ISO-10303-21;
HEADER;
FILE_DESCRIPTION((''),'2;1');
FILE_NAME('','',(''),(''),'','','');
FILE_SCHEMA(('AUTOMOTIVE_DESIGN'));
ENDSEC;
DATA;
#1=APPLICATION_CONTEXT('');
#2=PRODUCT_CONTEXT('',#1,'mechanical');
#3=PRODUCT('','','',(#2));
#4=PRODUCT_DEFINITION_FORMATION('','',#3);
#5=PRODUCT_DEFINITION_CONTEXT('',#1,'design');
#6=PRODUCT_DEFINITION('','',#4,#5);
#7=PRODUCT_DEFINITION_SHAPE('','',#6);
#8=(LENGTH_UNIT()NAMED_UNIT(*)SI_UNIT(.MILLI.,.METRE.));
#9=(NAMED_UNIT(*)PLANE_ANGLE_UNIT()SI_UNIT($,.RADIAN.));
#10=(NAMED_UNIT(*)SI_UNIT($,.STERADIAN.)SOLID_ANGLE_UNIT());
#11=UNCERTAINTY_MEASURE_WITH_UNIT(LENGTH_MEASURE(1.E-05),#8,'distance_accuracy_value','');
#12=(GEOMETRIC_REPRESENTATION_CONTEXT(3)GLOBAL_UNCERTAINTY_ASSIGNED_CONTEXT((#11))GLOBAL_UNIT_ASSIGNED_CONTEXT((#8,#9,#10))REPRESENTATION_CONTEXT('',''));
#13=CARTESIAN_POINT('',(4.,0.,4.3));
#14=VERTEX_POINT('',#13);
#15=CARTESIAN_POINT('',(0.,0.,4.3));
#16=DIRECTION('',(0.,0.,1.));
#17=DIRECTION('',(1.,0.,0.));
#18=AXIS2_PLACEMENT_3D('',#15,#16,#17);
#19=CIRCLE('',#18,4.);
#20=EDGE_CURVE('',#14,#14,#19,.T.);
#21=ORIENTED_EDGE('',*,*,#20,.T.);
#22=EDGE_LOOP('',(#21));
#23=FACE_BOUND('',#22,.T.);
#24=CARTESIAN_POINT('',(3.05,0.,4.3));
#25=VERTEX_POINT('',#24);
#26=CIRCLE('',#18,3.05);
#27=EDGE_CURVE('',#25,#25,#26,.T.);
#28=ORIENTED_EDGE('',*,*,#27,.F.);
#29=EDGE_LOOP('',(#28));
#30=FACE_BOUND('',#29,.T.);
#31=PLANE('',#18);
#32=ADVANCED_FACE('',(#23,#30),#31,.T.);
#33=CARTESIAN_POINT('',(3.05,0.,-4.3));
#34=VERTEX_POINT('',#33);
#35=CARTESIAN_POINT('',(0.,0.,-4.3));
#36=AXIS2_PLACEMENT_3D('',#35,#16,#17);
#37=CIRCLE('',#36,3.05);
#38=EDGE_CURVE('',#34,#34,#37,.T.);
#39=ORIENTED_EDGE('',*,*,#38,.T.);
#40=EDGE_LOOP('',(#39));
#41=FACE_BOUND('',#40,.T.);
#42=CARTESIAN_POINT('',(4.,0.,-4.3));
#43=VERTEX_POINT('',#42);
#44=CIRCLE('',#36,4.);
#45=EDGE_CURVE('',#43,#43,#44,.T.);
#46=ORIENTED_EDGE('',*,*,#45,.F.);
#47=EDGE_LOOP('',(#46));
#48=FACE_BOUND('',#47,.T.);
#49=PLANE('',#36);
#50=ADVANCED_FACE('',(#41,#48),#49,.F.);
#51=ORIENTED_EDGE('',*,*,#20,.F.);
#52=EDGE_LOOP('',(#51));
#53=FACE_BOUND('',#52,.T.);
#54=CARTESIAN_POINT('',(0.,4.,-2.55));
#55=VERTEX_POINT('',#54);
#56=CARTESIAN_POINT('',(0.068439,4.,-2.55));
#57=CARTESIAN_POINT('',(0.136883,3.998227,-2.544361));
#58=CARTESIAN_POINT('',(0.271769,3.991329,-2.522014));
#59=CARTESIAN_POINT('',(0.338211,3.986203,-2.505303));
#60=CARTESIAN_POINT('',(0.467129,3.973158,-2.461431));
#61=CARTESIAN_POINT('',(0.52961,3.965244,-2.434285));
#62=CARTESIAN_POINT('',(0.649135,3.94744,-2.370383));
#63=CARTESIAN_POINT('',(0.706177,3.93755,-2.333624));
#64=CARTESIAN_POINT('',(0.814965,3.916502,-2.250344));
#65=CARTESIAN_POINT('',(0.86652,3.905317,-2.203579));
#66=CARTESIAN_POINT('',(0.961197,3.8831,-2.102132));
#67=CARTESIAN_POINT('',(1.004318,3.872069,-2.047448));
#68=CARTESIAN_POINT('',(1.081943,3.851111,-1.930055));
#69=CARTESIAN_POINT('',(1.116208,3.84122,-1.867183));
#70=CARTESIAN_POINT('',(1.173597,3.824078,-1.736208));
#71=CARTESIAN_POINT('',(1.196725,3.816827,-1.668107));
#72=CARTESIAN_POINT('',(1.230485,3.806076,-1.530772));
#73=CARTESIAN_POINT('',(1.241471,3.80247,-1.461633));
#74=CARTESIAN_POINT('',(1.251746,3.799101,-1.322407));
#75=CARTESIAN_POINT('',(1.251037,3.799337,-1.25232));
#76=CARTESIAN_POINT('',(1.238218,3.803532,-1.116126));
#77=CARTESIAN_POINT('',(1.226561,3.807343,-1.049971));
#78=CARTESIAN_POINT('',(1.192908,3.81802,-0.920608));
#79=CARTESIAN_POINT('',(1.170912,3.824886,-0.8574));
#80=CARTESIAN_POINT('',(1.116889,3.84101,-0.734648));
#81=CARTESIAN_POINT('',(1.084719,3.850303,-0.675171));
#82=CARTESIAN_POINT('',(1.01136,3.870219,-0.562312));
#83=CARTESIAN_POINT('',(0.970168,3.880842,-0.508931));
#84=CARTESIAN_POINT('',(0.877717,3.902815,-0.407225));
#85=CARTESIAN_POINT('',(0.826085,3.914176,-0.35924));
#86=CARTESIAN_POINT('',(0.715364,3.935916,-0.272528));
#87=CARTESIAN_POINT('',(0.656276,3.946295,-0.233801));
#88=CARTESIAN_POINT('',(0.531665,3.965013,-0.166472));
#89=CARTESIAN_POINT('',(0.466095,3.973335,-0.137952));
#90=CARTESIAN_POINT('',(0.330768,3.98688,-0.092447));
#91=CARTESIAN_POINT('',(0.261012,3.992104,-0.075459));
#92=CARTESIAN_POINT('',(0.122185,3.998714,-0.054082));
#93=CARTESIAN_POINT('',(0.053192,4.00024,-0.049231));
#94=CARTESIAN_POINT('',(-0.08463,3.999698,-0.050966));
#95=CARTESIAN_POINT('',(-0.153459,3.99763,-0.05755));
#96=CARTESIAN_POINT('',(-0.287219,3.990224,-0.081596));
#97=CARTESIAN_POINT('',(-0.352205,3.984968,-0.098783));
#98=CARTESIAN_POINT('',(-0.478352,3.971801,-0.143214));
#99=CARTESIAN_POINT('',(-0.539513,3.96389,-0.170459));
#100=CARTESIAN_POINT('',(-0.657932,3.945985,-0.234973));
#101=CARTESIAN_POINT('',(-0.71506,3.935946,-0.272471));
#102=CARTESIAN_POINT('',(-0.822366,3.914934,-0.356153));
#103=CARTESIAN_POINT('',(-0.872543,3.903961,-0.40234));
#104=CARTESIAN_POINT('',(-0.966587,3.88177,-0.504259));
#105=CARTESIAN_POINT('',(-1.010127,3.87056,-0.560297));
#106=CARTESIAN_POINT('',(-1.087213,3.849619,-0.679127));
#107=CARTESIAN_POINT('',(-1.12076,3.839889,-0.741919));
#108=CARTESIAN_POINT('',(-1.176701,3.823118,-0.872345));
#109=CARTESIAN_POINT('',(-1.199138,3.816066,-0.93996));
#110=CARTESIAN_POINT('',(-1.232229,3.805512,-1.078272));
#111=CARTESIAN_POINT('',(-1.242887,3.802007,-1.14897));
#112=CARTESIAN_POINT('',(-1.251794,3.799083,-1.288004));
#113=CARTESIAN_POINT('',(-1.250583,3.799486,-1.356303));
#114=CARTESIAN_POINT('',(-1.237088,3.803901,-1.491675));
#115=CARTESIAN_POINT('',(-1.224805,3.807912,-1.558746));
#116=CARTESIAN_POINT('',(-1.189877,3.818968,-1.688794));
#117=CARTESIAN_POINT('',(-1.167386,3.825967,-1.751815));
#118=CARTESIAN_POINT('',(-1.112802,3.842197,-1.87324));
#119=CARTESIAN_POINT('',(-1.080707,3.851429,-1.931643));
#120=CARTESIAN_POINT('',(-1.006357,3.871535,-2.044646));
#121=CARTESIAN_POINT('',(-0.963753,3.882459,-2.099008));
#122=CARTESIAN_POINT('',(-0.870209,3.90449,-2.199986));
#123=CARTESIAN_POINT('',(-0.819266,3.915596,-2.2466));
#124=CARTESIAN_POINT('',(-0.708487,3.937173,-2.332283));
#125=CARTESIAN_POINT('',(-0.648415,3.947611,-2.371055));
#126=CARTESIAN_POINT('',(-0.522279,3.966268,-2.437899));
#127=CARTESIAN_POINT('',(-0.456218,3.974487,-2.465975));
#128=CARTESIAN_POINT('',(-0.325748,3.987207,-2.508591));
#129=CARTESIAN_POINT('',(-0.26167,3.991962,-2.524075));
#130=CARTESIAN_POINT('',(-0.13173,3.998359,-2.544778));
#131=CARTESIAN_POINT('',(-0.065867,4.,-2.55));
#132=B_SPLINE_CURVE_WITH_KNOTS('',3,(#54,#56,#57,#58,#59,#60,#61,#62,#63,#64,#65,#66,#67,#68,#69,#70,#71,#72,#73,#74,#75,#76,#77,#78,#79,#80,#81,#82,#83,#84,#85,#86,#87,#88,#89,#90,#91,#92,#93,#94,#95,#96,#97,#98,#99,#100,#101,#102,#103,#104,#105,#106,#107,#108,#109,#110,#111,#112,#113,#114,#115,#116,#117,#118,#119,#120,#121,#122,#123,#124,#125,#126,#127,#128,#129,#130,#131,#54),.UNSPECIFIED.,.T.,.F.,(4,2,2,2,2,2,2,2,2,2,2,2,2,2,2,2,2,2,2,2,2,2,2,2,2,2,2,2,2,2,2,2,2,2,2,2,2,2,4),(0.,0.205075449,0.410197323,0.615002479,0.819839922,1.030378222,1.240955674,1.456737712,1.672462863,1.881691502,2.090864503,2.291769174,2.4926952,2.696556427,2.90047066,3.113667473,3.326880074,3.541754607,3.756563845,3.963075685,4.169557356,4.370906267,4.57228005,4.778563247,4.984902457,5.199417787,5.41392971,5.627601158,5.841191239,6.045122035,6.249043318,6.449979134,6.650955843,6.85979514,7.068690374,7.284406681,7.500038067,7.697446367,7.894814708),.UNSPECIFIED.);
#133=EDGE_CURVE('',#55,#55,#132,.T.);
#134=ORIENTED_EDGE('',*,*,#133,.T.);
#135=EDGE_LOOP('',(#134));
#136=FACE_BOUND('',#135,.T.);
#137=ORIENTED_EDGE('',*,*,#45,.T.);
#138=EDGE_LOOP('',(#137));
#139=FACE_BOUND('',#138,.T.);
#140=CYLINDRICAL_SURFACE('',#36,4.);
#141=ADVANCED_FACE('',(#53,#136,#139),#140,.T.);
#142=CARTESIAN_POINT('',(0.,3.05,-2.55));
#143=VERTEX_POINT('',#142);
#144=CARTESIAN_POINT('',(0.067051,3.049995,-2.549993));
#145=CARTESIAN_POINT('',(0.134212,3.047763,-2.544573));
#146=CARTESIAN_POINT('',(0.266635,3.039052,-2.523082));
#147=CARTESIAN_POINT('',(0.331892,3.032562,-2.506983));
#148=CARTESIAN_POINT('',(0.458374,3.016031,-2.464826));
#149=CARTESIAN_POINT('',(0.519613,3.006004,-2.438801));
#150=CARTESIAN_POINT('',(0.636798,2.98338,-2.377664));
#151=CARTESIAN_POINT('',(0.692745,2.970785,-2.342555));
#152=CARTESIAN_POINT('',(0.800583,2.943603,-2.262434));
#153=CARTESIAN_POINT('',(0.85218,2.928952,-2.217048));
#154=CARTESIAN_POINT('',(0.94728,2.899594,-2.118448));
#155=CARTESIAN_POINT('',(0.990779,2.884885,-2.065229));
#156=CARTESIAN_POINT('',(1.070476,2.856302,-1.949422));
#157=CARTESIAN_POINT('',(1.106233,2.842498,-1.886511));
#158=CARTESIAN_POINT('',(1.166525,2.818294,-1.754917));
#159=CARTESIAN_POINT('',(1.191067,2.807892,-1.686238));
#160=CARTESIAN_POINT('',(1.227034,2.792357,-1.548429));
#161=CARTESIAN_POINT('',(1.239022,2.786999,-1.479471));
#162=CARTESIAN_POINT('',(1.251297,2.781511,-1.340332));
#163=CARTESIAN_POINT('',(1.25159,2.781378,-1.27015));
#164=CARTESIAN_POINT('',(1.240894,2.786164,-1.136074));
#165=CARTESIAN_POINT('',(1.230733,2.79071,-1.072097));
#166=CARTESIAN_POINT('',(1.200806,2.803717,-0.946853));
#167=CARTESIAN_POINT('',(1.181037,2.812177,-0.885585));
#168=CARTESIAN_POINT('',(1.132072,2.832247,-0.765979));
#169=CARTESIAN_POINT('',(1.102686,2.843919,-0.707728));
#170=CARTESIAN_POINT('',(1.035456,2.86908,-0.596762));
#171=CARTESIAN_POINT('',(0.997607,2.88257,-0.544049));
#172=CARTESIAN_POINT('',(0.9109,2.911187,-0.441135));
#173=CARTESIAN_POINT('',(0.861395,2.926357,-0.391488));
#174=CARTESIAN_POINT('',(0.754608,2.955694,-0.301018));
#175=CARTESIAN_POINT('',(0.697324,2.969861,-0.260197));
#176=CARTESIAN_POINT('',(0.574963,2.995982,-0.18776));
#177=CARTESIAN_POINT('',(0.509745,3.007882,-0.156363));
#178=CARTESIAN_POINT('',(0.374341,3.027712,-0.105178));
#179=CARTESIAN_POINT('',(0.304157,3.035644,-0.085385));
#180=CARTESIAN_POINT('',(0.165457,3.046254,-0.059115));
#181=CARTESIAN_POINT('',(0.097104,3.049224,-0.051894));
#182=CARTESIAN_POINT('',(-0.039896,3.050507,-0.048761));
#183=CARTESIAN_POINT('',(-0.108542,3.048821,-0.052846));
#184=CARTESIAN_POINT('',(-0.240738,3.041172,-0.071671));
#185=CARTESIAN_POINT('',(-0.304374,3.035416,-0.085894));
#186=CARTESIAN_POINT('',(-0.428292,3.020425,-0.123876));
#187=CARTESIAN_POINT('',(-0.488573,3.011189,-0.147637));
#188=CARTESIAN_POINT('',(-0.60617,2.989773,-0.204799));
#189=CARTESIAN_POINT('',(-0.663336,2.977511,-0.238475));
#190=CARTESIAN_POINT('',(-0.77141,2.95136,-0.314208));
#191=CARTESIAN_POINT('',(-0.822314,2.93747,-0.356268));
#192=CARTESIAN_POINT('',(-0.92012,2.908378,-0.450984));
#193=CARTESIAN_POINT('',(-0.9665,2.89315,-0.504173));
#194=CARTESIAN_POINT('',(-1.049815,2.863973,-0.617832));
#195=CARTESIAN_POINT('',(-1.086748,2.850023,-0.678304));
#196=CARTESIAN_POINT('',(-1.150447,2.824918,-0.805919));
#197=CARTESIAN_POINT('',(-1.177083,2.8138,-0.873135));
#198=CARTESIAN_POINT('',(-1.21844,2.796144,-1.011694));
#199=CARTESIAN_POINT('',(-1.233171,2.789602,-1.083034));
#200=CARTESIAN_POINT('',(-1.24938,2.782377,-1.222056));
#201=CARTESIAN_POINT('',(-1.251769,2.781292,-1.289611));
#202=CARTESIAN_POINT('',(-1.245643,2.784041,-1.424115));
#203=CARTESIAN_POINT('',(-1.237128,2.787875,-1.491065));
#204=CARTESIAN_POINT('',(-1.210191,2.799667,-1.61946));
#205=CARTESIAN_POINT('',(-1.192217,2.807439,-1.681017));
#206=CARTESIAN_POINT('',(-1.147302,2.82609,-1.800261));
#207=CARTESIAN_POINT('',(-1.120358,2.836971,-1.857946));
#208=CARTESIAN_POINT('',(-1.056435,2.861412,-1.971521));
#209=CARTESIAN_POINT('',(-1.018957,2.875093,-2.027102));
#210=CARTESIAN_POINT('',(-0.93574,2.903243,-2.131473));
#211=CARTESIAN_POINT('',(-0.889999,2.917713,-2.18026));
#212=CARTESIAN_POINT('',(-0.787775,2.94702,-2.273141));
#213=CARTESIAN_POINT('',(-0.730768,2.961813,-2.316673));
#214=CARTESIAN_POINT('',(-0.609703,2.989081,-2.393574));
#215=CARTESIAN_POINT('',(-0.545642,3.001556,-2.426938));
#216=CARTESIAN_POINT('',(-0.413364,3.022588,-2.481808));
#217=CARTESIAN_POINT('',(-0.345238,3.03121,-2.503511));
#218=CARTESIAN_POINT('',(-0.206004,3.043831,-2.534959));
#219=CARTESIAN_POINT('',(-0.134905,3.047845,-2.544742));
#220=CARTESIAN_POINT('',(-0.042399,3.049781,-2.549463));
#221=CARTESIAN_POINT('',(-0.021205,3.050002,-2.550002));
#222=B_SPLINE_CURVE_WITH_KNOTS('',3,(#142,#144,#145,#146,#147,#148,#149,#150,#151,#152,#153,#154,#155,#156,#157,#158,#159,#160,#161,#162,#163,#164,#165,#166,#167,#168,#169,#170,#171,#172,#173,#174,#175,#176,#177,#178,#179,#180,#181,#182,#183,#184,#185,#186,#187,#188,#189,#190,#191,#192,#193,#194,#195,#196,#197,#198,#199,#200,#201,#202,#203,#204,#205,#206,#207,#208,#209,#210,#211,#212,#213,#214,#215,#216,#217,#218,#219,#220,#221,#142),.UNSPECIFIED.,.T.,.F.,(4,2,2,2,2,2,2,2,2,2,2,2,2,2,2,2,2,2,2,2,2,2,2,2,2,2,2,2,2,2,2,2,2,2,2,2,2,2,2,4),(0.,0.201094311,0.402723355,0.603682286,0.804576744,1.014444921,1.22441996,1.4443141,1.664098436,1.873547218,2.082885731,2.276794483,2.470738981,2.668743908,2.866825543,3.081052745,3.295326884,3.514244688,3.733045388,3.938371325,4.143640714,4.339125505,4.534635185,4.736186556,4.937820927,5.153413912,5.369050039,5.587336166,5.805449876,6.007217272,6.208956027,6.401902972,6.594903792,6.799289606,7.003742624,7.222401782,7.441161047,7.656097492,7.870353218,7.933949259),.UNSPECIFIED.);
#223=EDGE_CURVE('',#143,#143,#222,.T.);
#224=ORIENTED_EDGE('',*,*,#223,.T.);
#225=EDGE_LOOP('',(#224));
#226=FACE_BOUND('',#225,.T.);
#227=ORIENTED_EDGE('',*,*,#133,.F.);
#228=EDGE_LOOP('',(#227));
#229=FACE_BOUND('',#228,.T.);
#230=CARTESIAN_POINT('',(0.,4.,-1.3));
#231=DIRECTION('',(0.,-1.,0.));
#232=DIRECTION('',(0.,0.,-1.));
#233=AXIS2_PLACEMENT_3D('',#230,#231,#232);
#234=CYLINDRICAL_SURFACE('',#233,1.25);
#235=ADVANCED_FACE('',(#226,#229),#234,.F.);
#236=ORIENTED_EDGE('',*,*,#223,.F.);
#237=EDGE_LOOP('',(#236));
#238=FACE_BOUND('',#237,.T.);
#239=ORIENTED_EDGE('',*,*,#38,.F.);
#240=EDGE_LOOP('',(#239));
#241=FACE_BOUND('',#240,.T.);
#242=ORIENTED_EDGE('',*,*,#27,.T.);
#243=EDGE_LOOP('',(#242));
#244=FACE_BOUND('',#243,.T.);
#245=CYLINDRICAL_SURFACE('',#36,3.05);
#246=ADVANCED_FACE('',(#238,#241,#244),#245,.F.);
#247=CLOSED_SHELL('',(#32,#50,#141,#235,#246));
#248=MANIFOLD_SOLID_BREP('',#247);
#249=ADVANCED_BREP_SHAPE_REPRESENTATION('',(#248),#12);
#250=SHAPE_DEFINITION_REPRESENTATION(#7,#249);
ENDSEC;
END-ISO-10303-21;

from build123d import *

# Parameters (mm, degrees)
SKIZZE2_R                       = 4
SKIZZE2_R_2                     = 3.05
AUFSATZ_LINEAR_AUSTRAGEN1_DEPTH = 4.3
SKIZZE3_R                       = 1.25
SCHNITT_LINEAR_AUSTRAGEN1_DEPTH = 5


with BuildPart() as part:
    # Skizze2 → Aufsatz-Linear austragen1 (new body, symmetric)
    with BuildSketch(Plane.XY):
        Circle(SKIZZE2_R)
        Circle(SKIZZE2_R_2, mode=Mode.SUBTRACT)
    extrude(amount=AUFSATZ_LINEAR_AUSTRAGEN1_DEPTH, both=True)

    # Skizze3 → Schnitt-Linear austragen1 (cut, through all)
    with BuildSketch(Plane(origin=(0, 0, 0), x_dir=(1, 0, 0), z_dir=(0, 1, 0))):
        with Locations((0, 1.3)):
            Circle(SKIZZE3_R)
    extrude(amount=SCHNITT_LINEAR_AUSTRAGEN1_DEPTH, mode=Mode.SUBTRACT)


solid = part.part
